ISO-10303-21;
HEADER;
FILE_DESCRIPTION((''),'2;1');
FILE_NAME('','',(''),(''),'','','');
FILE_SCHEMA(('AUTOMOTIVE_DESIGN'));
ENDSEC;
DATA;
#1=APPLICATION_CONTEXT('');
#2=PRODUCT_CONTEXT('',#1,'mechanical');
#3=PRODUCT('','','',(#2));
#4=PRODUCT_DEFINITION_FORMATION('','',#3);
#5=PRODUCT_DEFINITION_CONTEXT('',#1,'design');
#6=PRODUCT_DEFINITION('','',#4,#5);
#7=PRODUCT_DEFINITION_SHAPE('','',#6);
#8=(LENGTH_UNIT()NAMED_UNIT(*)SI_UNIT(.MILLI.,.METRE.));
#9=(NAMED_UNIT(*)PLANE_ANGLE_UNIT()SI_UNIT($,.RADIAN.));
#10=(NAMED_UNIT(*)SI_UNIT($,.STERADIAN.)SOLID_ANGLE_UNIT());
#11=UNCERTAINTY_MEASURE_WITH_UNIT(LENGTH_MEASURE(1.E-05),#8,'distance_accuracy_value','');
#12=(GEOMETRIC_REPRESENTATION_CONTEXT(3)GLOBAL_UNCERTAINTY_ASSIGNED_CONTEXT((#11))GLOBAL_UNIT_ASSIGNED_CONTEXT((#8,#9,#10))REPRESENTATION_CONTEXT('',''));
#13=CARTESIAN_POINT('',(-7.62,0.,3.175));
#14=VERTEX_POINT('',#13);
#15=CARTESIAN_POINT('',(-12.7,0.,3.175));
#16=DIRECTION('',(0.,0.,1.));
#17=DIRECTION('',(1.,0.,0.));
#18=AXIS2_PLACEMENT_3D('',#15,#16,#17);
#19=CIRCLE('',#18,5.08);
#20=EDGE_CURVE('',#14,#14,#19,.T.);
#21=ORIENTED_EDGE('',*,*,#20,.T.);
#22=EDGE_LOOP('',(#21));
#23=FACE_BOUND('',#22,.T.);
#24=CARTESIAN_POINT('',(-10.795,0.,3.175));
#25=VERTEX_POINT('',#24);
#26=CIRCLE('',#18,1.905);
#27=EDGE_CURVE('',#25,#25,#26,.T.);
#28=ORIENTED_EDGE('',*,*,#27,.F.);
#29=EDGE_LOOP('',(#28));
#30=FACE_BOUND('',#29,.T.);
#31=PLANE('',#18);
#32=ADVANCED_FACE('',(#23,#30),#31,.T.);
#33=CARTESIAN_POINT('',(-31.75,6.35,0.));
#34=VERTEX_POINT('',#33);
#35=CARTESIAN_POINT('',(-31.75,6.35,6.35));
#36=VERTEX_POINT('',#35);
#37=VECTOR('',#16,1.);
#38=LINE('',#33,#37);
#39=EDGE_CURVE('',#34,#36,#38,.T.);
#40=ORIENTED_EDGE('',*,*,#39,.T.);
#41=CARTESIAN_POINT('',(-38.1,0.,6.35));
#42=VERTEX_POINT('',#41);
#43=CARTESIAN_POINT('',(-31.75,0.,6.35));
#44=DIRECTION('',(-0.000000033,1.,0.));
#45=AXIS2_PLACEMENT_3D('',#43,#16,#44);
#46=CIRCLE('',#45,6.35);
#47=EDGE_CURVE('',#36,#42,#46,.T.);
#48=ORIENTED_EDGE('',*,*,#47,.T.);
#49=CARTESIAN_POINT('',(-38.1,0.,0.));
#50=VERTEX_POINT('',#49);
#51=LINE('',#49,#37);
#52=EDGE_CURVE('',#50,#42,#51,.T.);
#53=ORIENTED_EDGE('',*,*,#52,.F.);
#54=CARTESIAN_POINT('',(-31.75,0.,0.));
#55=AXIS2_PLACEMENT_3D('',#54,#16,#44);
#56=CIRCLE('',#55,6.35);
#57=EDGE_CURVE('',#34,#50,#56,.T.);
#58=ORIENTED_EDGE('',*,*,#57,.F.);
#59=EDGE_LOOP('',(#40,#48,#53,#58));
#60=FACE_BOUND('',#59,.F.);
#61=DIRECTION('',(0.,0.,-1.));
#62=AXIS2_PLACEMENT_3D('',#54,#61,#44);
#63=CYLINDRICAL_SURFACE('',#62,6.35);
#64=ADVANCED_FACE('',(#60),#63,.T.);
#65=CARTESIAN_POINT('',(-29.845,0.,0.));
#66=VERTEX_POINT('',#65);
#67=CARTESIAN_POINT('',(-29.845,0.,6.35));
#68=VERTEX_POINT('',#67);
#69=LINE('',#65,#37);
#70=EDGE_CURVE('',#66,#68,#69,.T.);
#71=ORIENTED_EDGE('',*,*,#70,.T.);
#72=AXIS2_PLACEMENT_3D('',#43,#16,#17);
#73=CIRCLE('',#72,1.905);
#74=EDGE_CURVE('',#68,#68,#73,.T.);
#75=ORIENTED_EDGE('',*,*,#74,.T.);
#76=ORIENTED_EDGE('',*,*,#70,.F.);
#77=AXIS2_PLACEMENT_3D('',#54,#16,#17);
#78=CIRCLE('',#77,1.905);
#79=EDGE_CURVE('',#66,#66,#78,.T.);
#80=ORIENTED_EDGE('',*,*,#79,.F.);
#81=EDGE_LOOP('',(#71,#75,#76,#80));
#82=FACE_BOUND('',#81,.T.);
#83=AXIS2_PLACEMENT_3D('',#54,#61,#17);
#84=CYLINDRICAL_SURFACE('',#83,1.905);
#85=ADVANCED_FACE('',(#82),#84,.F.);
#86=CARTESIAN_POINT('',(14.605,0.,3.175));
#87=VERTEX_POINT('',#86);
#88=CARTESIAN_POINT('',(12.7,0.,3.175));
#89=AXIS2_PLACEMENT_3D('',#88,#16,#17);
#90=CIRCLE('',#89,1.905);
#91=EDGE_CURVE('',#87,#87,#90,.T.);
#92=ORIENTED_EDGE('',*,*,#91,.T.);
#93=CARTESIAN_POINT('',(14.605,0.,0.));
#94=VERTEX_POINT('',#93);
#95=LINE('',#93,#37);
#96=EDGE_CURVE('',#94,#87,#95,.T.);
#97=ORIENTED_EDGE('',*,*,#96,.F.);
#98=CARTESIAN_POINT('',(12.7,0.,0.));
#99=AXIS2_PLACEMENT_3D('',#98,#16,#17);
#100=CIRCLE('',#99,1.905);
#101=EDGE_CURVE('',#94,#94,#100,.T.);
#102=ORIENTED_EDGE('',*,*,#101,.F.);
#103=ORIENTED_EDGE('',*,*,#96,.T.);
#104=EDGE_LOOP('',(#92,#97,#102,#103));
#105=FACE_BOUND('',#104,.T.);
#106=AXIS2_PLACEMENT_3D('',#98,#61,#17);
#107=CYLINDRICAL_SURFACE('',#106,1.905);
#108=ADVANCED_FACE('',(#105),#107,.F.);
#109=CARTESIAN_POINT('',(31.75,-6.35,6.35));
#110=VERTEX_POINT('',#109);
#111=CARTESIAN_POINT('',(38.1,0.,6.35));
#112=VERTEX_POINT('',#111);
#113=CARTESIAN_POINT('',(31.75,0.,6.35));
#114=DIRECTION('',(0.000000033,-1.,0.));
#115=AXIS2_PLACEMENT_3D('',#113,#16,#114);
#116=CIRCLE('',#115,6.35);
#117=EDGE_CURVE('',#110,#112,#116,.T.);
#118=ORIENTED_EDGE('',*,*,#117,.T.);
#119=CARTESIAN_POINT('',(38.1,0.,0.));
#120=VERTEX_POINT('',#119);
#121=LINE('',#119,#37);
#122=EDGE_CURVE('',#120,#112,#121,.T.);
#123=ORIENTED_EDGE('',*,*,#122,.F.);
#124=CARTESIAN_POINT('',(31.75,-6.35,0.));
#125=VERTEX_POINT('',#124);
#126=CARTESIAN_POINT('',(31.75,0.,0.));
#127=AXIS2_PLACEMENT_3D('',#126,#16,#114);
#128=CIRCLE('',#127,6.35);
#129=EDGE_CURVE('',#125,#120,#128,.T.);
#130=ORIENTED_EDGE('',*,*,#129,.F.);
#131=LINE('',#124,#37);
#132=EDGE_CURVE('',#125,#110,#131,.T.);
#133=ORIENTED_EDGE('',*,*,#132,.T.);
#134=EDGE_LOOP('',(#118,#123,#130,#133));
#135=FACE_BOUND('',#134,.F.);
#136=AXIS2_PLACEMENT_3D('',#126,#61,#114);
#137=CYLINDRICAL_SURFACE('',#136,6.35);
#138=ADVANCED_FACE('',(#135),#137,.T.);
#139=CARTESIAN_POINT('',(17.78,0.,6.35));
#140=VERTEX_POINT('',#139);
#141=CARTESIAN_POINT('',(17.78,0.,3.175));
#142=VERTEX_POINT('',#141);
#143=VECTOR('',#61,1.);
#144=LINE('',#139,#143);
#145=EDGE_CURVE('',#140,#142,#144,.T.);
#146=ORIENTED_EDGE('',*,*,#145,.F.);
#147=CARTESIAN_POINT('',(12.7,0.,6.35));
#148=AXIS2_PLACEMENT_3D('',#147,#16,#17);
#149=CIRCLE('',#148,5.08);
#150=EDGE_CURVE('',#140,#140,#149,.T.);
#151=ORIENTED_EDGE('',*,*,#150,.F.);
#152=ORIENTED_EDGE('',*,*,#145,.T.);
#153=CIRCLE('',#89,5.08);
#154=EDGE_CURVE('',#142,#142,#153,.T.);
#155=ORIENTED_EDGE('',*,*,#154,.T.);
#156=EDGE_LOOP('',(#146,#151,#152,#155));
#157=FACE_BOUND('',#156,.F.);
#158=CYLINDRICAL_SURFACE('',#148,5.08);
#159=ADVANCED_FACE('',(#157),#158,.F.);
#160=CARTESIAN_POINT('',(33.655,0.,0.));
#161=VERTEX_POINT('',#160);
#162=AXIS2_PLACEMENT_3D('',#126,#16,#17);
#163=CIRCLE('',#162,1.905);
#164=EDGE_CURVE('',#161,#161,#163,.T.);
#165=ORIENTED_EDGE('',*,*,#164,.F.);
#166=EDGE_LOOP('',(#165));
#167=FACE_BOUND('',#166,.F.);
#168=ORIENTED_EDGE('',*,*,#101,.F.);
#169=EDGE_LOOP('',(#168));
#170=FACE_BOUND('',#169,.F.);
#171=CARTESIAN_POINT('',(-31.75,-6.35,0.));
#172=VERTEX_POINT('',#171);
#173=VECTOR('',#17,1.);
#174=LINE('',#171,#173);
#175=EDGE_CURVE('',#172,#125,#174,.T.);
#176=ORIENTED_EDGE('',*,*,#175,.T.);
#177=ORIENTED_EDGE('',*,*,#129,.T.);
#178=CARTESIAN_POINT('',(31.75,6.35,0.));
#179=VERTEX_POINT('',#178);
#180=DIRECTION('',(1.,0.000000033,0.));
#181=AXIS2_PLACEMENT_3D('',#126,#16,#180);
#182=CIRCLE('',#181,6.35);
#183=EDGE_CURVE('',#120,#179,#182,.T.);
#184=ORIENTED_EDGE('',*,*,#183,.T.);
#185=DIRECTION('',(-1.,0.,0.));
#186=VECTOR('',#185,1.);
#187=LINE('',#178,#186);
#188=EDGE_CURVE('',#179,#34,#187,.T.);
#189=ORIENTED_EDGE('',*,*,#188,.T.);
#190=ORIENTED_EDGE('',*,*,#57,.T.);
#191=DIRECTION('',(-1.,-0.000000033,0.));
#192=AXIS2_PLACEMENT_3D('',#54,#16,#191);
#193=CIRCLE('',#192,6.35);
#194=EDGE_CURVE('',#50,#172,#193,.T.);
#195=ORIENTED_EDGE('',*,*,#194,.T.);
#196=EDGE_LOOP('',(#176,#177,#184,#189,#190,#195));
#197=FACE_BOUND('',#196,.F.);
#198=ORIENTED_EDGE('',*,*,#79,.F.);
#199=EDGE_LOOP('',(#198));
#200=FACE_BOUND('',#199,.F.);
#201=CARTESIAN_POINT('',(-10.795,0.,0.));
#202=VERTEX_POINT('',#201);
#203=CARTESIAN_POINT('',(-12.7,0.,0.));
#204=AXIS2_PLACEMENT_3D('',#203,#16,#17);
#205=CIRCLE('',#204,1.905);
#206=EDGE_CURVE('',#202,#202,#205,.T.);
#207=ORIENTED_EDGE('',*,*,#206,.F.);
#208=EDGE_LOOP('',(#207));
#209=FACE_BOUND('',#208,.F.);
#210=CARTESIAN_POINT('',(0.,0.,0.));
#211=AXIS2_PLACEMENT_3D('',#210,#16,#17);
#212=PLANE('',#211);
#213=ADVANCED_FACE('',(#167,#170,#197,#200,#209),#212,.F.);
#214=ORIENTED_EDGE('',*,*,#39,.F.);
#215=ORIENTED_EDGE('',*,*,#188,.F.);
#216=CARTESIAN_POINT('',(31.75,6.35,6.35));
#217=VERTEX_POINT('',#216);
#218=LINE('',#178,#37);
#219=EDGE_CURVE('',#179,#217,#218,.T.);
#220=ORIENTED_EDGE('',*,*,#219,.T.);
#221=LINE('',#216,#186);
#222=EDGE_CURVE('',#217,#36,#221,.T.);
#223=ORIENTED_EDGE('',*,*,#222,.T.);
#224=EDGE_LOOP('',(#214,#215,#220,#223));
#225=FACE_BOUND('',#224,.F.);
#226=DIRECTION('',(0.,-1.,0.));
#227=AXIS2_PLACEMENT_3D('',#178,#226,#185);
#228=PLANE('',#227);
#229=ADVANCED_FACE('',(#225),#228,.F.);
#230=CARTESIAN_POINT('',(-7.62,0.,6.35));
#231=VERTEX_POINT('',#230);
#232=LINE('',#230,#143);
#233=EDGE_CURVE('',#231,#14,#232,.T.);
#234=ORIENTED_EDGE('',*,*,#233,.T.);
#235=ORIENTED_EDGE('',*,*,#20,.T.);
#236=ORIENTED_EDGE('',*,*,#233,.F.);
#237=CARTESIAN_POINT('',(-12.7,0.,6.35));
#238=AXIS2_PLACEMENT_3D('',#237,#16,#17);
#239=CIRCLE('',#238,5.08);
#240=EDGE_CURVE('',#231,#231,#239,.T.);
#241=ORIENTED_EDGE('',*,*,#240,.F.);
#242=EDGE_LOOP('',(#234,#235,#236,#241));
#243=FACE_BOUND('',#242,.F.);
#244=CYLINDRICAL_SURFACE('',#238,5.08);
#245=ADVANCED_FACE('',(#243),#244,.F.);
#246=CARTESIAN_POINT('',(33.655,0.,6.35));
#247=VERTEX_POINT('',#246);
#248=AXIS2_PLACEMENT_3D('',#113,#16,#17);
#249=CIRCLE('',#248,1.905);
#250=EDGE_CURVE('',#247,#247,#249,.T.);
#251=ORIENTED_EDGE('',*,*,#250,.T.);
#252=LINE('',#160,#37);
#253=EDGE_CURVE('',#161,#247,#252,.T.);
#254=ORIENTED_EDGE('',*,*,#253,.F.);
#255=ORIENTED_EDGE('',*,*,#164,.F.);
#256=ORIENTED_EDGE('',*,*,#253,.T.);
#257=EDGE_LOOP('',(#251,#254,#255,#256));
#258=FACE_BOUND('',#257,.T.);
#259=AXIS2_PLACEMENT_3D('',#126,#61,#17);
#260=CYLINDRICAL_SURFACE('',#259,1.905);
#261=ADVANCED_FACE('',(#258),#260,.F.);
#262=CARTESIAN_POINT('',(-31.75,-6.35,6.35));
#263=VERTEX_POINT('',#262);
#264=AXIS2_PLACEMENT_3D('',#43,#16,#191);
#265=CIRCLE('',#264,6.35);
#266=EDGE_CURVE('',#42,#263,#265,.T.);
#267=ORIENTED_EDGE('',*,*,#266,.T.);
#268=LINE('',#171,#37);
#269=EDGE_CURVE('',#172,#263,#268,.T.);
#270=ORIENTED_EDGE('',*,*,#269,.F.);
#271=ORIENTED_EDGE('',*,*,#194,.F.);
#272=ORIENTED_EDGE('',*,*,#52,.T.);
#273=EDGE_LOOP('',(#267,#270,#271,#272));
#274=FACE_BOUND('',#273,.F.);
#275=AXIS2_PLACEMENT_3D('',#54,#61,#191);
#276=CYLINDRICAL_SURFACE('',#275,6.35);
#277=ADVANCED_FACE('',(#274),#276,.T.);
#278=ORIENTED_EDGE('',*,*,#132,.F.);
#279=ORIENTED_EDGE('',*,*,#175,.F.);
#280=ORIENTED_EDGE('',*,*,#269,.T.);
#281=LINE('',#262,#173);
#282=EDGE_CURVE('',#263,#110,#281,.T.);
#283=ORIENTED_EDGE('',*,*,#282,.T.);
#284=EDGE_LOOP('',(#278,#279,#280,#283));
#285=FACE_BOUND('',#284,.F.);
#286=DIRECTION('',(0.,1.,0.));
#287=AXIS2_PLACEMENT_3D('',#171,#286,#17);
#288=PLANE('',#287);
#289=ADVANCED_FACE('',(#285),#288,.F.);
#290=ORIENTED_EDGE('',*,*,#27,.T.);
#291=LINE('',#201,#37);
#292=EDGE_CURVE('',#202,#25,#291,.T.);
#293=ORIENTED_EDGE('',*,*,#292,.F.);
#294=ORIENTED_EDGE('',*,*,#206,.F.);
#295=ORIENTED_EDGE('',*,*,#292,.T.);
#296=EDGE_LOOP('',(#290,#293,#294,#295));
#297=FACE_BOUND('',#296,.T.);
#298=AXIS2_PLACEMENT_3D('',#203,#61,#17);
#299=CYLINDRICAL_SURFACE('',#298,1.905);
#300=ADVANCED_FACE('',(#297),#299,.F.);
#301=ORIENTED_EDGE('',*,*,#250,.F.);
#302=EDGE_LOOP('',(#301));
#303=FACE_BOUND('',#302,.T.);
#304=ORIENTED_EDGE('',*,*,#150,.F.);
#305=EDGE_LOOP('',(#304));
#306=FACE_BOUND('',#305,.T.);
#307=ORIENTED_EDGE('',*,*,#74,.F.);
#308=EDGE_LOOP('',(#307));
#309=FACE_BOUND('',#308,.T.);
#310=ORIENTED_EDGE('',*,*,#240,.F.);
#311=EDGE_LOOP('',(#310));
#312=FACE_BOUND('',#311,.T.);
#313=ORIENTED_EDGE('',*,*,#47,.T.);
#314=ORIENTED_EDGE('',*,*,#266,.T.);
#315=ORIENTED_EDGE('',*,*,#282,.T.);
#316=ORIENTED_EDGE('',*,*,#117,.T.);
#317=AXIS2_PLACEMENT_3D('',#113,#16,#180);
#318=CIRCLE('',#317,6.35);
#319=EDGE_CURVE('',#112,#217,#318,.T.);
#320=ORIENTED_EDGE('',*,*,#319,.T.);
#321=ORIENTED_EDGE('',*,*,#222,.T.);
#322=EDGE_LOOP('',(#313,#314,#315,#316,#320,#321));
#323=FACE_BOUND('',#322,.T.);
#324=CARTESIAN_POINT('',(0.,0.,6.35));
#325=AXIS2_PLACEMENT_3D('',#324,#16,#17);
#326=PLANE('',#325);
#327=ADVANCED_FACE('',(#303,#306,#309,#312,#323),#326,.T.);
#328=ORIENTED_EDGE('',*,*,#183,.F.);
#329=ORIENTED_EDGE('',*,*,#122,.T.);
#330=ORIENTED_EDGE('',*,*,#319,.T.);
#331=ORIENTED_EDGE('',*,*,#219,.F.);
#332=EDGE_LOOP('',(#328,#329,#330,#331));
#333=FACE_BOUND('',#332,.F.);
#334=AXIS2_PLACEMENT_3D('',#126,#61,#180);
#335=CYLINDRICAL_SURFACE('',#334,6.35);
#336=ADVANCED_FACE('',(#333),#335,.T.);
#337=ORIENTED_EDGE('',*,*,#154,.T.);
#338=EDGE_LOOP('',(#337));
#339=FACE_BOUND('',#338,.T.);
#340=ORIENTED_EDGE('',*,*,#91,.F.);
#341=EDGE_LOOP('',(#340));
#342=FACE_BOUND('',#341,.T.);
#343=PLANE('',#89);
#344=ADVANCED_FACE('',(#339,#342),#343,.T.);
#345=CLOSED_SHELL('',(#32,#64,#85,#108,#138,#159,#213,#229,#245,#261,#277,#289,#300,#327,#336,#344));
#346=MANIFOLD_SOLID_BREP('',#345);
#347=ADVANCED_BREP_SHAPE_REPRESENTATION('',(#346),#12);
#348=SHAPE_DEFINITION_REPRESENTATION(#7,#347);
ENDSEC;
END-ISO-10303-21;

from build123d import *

# Parameters (mm, degrees)
F0_R     = 1.905
F1_DEPTH = 6.35
F2_R     = 5.08
F2_R_2   = 1.905
F3_DEPTH = 3.175


with BuildPart() as f1:
    # F0 (on Top) → F1 (new body)
    with BuildSketch(Plane.XY):
        with BuildLine():
            Line((-31.75, -6.35), (31.75, -6.35))
            ThreePointArc((31.75, -6.35), (36.240128, -4.490128), (38.1, 0))
            ThreePointArc((38.1, 0), (36.240128, 4.490128), (31.75, 6.35))
            Line((31.75, 6.35), (-31.75, 6.35))
            ThreePointArc((-31.75, 6.35), (-36.240128, 4.490128), (-38.1, 0))
            ThreePointArc((-38.1, 0), (-36.240128, -4.490128), (-31.75, -6.35))
        make_face()
        with Locations((-31.75, 0)):
            Circle(F0_R, mode=Mode.SUBTRACT)
        with Locations((-12.7, 0)):
            Circle(F0_R, mode=Mode.SUBTRACT)
        with Locations((12.7, 0)):
            Circle(F0_R, mode=Mode.SUBTRACT)
        with Locations((31.75, 0)):
            Circle(F0_R, mode=Mode.SUBTRACT)
    extrude(amount=F1_DEPTH)

    # F2 (on face) → F3 (cut)
    with BuildSketch(Plane.XY.offset(6.35)):
        with Locations((12.7, 0)):
            Circle(F2_R)
        with Locations((12.7, 0)):
            Circle(F2_R_2, mode=Mode.SUBTRACT)
        with Locations((-12.7, 0)):
            Circle(F2_R)
        with Locations((-12.7, 0)):
            Circle(F2_R_2, mode=Mode.SUBTRACT)
    extrude(amount=-F3_DEPTH, mode=Mode.SUBTRACT)


solid = f1.part
